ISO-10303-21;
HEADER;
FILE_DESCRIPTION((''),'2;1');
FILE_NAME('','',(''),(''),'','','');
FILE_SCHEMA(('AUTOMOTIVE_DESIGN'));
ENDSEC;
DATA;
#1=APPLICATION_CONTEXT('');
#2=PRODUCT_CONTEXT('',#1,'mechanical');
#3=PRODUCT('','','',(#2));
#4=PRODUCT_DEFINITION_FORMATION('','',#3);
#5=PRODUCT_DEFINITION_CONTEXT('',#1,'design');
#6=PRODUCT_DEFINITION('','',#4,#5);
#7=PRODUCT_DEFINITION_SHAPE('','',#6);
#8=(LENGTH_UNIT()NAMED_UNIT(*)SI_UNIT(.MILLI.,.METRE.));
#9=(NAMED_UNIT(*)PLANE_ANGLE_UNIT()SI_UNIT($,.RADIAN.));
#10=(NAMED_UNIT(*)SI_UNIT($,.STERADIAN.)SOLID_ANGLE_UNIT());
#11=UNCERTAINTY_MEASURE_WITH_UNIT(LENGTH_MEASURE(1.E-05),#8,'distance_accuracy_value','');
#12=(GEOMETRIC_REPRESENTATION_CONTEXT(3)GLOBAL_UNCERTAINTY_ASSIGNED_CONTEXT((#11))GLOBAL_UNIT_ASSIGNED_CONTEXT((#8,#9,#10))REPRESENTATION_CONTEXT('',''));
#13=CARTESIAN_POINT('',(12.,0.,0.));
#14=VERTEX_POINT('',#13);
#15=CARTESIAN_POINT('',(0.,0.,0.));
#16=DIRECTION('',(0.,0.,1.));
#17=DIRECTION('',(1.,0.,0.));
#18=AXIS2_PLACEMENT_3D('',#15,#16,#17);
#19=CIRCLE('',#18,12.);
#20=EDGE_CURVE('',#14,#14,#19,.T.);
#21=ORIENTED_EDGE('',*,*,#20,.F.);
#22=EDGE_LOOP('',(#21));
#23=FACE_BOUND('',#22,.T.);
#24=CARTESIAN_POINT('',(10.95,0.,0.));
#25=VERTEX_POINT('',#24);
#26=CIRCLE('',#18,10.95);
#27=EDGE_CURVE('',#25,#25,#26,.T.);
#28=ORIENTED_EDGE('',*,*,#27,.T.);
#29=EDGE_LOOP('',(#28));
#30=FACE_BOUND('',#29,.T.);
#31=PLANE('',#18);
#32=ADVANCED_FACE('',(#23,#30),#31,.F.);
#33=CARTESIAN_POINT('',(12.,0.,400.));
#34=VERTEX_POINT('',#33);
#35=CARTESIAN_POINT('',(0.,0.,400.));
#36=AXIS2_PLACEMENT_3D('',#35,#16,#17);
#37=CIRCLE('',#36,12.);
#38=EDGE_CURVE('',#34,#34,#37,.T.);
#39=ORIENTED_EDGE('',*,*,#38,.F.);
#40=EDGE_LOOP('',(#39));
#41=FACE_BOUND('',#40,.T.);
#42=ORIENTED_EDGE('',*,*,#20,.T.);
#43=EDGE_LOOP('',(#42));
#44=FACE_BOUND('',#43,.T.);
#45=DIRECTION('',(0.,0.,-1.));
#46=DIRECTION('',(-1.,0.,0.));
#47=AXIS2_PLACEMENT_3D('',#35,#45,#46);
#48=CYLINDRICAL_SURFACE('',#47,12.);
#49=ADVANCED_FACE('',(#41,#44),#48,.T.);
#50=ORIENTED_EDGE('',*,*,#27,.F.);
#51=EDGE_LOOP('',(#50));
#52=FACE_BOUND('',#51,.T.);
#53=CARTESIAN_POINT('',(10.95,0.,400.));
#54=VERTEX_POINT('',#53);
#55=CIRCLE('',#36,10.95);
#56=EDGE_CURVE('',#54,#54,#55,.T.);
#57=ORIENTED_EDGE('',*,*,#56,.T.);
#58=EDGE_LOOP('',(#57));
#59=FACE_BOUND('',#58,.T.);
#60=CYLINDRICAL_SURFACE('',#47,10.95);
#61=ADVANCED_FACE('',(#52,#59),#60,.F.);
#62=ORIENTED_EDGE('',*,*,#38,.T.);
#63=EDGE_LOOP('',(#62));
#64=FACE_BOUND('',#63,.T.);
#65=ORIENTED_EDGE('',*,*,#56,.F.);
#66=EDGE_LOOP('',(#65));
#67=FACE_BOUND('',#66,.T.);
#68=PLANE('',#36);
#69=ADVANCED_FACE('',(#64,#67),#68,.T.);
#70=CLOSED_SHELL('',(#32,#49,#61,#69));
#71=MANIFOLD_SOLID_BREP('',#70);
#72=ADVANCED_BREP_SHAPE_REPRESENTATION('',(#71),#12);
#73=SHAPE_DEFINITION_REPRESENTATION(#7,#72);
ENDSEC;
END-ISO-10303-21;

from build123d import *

# Parameters (mm, degrees)
ESQUISSE1_R        = 12
ESQUISSE1_R_2      = 10.95
BOSS_EXTRU_1_DEPTH = 400


with BuildPart() as part:
    # Esquisse1 → Boss.-Extru.1 (new body)
    with BuildSketch(Plane.XY):
        Circle(ESQUISSE1_R)
        Circle(ESQUISSE1_R_2, mode=Mode.SUBTRACT)
    extrude(amount=BOSS_EXTRU_1_DEPTH)


solid = part.part
